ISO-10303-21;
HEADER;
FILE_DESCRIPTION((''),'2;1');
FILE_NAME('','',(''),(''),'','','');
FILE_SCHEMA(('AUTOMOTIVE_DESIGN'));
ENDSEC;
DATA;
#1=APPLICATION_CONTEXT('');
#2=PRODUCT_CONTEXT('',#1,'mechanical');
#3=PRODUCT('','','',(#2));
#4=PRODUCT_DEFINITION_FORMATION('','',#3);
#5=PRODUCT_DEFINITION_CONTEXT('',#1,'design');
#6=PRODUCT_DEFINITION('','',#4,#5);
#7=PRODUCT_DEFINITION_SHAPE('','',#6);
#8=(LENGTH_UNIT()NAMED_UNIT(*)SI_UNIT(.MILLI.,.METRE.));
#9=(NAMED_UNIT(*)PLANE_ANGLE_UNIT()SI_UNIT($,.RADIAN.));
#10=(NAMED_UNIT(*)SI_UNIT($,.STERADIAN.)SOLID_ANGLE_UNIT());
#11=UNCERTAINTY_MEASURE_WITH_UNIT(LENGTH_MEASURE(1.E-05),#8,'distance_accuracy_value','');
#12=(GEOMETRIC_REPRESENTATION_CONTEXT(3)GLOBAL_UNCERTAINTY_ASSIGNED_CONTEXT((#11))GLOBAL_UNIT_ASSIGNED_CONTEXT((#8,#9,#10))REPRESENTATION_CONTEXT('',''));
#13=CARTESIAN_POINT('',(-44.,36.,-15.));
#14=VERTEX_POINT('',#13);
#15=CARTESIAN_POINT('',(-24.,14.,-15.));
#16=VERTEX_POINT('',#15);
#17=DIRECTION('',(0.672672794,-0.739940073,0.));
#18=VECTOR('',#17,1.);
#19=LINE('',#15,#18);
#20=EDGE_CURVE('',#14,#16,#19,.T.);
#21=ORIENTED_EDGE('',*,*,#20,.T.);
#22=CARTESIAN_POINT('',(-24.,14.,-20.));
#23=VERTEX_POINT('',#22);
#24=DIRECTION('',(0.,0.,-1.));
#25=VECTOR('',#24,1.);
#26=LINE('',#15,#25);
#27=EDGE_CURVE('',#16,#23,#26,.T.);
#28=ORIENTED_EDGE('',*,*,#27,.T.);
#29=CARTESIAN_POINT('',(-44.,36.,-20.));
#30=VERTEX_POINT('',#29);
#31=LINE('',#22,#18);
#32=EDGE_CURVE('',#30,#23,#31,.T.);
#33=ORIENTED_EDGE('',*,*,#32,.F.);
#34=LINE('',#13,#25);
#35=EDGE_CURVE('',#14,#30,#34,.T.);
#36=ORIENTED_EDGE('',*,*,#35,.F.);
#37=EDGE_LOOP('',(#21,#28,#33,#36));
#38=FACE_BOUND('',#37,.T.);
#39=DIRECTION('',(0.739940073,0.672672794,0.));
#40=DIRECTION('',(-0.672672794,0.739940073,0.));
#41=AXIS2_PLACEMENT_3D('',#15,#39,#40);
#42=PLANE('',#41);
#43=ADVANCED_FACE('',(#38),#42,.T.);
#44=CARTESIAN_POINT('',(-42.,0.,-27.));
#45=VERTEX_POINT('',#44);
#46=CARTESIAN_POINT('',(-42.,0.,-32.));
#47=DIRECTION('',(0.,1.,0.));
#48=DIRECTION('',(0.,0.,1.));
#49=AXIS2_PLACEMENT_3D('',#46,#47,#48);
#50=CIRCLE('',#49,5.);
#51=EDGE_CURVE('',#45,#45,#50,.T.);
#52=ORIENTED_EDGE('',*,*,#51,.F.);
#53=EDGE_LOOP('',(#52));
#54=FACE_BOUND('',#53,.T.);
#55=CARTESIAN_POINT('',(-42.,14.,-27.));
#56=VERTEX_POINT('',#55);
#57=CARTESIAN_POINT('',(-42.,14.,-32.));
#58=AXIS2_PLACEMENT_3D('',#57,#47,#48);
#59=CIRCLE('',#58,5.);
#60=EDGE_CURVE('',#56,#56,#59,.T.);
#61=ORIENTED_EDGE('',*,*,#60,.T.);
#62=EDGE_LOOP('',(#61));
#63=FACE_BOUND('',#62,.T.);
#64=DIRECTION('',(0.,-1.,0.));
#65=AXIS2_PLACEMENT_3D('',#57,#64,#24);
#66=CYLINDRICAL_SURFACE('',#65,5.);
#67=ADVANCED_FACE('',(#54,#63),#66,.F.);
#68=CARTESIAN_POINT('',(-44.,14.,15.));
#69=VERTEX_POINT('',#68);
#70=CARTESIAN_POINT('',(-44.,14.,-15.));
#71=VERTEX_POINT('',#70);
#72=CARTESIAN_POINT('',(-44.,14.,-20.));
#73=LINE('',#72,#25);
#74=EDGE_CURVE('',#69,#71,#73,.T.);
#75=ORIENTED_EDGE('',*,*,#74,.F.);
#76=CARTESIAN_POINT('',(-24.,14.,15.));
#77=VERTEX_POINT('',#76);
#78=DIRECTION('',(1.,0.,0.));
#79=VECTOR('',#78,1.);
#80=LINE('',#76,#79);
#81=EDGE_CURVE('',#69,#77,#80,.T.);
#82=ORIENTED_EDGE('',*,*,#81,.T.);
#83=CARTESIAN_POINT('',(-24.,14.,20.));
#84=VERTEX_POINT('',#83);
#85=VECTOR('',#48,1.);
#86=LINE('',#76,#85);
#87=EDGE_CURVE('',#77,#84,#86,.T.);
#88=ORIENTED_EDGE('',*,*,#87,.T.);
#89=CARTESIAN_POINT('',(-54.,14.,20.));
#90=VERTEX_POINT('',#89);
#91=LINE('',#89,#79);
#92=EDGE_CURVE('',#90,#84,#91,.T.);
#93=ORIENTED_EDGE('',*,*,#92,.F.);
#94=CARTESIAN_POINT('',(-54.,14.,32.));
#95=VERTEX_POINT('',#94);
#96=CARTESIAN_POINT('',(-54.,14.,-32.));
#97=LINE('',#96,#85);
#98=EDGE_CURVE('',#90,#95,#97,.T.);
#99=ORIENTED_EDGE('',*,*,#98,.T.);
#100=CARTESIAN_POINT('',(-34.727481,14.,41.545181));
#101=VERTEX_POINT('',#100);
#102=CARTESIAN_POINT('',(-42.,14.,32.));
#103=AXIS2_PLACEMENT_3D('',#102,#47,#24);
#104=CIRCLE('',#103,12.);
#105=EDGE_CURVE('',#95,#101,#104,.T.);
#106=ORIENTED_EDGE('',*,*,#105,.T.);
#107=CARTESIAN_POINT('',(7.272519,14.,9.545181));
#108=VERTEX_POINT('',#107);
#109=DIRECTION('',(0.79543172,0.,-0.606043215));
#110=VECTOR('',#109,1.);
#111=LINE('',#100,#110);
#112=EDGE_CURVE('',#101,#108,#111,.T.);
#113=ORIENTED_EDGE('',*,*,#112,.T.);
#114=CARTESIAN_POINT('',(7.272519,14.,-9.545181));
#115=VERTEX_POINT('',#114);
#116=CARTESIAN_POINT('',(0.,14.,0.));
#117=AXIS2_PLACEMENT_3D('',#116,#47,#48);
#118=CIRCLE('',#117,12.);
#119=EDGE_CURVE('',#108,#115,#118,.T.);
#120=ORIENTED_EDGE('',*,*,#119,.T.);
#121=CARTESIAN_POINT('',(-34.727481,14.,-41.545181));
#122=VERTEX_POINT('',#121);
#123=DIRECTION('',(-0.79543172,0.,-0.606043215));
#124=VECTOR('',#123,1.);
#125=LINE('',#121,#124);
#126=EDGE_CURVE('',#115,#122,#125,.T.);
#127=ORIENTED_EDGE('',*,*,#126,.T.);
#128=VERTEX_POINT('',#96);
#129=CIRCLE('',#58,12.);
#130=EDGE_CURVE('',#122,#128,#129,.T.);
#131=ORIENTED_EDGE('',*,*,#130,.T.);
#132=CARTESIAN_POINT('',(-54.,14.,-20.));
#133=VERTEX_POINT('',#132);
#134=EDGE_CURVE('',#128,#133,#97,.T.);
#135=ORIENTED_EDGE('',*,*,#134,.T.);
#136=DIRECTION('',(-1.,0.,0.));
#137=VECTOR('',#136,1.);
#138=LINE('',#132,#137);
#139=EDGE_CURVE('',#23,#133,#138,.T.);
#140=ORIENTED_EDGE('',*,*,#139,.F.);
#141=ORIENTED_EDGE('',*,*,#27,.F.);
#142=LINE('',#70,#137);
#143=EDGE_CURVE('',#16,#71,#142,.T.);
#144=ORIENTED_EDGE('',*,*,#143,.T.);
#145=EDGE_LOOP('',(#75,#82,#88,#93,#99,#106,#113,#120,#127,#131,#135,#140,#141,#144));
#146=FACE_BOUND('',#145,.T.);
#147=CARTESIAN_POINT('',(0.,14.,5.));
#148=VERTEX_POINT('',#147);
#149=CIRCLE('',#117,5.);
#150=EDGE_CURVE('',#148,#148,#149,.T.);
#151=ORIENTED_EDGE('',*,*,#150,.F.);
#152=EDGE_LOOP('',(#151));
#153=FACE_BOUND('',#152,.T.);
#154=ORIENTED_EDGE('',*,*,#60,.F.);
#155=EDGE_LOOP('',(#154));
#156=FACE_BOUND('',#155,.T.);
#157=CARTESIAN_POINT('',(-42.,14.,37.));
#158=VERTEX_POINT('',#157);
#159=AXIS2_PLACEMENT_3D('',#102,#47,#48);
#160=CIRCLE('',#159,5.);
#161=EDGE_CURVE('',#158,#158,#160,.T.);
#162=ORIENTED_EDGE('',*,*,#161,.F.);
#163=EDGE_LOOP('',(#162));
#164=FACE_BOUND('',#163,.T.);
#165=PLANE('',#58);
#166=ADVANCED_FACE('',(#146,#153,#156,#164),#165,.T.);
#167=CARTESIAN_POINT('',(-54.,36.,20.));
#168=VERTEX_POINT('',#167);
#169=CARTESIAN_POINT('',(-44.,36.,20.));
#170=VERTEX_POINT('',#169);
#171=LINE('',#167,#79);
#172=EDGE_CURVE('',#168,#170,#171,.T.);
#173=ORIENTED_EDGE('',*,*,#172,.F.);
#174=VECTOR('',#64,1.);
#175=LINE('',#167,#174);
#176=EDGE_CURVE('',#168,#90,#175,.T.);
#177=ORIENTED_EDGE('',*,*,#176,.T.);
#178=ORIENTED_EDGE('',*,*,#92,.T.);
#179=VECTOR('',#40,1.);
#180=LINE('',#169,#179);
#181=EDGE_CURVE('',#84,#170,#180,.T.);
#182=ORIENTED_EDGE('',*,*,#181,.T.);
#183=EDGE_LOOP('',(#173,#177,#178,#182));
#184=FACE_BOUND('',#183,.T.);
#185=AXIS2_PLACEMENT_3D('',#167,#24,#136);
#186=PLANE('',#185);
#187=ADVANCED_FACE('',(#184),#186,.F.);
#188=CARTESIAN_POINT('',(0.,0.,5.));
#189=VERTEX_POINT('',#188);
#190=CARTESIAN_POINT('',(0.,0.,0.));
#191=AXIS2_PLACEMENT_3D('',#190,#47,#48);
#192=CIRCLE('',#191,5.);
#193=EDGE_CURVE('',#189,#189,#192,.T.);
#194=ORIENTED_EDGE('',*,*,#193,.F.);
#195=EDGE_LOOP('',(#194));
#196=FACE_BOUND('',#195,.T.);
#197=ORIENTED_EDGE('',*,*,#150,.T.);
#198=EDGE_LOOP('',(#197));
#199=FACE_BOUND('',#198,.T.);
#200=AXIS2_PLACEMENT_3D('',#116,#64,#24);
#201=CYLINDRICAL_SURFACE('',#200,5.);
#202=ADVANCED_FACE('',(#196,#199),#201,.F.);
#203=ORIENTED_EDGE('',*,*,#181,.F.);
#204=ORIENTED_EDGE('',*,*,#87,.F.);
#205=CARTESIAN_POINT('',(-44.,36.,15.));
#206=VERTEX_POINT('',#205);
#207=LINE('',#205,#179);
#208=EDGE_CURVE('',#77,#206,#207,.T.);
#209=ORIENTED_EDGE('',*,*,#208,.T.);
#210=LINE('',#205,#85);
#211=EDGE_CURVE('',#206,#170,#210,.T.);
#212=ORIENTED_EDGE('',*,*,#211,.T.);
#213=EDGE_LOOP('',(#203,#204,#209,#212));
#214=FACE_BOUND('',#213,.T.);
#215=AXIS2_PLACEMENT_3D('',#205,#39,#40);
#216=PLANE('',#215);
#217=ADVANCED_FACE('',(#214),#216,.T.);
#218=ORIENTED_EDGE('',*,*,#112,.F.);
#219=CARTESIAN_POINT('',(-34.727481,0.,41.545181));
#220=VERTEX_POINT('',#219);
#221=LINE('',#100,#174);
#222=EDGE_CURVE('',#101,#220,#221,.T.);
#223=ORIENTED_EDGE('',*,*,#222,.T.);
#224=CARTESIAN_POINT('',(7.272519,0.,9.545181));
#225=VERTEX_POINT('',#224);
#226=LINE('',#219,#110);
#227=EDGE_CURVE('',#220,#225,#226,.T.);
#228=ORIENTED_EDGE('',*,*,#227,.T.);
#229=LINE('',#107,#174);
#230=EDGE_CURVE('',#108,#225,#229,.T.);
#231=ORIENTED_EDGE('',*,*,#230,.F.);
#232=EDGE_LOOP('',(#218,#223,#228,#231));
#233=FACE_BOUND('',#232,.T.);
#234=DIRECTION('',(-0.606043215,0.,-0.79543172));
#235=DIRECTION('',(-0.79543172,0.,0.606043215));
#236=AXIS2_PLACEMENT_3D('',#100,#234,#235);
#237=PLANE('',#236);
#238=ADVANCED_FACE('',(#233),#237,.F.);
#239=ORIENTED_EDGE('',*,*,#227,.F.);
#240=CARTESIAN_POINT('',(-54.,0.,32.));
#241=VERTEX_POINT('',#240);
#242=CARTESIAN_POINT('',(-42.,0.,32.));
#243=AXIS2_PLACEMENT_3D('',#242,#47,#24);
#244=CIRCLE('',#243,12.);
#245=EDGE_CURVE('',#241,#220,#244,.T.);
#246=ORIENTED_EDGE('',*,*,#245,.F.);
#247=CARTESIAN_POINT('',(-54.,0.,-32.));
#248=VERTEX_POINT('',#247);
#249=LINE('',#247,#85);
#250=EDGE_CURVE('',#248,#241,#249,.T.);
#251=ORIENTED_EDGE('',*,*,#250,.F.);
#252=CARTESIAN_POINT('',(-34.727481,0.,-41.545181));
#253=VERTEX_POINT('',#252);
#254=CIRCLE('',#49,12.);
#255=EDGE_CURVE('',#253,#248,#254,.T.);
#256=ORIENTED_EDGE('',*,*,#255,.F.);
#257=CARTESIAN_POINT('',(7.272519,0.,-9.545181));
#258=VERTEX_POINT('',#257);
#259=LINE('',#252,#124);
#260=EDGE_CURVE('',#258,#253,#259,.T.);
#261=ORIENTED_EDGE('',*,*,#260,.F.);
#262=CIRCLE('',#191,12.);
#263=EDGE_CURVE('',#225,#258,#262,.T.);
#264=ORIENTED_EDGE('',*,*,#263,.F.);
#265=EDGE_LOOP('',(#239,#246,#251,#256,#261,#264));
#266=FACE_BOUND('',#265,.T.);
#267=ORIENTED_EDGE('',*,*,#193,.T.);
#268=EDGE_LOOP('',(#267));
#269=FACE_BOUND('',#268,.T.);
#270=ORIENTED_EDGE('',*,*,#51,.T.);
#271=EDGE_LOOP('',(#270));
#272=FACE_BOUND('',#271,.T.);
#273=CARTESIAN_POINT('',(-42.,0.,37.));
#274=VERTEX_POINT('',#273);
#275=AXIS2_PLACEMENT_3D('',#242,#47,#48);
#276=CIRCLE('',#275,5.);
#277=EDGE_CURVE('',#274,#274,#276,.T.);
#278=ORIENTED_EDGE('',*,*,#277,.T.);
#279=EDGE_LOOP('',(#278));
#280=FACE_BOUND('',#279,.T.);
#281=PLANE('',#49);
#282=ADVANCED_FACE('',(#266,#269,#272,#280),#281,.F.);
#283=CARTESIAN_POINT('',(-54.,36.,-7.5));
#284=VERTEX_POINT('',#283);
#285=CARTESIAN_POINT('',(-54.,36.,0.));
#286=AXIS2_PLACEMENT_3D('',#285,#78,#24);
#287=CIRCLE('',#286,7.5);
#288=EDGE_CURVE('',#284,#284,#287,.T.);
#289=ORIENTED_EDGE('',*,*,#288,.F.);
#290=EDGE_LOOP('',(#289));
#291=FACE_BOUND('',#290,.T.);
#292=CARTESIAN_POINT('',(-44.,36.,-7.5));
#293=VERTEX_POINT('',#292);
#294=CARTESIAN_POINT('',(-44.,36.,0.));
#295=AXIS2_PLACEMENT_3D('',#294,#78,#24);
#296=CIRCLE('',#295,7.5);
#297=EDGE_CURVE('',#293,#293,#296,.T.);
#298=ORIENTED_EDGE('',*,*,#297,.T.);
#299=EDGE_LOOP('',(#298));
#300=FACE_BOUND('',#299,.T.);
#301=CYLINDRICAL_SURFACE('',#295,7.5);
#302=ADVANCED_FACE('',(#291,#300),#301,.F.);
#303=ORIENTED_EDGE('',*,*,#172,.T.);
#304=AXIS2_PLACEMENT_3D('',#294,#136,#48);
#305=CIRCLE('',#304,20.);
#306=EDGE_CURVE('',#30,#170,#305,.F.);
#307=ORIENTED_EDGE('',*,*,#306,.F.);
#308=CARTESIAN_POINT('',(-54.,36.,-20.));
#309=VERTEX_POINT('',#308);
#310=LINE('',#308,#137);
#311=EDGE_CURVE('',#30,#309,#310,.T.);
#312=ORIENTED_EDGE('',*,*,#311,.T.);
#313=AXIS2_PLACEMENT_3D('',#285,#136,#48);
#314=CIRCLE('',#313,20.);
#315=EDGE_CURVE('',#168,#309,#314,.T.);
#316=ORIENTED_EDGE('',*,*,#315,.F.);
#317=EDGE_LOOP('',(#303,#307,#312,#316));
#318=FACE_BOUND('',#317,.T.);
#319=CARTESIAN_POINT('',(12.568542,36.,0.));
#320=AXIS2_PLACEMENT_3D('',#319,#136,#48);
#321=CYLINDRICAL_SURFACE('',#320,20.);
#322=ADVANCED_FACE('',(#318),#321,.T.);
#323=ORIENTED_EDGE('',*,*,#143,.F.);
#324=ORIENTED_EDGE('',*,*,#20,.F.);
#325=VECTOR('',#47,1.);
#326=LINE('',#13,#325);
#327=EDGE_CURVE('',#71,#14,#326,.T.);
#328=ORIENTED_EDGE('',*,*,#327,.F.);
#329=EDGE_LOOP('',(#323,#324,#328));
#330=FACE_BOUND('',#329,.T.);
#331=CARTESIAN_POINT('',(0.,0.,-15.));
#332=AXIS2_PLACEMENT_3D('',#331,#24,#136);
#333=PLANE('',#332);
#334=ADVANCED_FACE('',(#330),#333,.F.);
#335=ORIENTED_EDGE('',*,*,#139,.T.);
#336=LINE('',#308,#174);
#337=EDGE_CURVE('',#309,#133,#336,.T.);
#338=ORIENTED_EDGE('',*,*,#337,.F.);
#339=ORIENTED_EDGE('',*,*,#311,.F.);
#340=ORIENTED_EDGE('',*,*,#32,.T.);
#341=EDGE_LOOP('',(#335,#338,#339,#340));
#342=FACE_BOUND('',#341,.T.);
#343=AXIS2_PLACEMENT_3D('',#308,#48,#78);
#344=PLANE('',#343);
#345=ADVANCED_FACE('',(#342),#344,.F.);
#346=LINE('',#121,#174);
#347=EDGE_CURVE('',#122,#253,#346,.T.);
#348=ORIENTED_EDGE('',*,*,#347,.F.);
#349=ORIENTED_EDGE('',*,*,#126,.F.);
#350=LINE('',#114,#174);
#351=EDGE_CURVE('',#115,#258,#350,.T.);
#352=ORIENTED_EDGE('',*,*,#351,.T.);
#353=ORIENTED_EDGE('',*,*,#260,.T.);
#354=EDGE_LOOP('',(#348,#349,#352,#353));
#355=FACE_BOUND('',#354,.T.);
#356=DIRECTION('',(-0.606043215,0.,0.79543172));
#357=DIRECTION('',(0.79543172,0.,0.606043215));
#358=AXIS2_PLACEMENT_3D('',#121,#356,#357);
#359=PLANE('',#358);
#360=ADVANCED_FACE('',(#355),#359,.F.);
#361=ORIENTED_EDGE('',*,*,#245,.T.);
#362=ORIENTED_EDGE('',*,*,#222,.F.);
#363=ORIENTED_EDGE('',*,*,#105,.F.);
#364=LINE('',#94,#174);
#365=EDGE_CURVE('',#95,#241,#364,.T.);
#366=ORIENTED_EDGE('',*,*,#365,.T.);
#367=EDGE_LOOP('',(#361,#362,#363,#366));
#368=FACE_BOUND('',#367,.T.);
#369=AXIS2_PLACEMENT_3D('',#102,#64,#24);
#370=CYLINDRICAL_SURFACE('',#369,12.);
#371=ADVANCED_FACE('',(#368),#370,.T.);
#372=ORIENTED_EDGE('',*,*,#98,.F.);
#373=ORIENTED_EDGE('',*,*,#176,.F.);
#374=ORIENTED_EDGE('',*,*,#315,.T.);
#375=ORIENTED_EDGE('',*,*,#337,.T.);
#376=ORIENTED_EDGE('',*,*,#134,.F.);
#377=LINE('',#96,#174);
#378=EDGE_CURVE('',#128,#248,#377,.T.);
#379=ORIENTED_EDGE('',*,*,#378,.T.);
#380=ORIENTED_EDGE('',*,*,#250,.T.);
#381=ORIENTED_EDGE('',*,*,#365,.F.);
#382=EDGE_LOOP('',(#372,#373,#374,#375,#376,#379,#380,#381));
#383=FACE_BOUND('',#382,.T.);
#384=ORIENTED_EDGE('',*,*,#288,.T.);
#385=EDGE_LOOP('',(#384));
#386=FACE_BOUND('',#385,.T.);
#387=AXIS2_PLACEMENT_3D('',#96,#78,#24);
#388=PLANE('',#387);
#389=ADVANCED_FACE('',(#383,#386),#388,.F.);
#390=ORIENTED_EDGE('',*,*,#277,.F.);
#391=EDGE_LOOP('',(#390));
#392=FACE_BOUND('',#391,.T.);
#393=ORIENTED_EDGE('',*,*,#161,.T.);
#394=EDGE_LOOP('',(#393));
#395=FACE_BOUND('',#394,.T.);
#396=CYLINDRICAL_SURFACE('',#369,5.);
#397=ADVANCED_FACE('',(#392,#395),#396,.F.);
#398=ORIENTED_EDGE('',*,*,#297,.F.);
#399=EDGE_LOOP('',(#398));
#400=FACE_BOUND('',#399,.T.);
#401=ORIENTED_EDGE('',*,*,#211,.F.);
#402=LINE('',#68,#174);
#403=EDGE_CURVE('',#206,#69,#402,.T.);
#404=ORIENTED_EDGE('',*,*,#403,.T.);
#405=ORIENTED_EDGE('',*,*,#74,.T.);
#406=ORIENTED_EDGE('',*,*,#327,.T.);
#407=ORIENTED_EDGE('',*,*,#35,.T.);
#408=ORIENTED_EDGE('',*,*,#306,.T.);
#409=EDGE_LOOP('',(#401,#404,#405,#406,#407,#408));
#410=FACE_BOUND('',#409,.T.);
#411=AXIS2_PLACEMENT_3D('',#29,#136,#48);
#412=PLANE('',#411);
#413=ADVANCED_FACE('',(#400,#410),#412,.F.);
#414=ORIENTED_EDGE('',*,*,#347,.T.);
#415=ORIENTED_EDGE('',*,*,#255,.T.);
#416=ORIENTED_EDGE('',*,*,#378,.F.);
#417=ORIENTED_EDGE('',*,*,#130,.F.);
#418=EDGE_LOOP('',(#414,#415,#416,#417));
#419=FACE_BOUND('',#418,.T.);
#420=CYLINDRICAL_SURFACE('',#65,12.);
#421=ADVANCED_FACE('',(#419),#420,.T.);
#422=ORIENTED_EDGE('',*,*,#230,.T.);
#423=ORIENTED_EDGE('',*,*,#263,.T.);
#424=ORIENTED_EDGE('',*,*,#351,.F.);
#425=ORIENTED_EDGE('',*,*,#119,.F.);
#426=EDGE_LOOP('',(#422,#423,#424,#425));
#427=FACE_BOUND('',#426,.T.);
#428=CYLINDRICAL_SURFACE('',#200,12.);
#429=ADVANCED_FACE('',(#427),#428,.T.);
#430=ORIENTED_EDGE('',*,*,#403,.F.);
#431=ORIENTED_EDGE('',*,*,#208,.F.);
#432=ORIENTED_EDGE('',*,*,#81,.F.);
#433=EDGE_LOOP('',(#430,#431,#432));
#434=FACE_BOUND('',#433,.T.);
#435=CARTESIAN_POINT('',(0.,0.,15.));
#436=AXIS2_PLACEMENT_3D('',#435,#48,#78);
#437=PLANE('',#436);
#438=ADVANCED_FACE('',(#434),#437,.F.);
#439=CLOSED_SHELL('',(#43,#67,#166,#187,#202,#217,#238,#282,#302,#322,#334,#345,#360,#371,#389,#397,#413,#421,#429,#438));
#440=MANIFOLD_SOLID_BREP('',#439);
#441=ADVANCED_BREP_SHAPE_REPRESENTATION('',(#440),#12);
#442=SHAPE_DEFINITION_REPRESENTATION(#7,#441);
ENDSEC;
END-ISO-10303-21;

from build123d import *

# Parameters (mm, degrees)
SKETCH1_R           = 5
BOSS_EXTRUDE1_DEPTH = 14
SKETCH2_W           = 10
SKETCH2_H           = 40
BOSS_EXTRUDE2_DEPTH = 22
SKETCH4_R           = 20
BOSS_EXTRUDE3_DEPTH = 10
HOLE1_D             = 15
BOSS_EXTRUDE4_DEPTH = 5
BOSS_EXTRUDE5_DEPTH = 5


with BuildPart() as part:
    # Sketch1 → Boss-Extrude1 (new body)
    with BuildSketch(Plane(origin=(0, 0, 0), x_dir=(1, 0, 0), z_dir=(0, 1, 0))):
        with BuildLine():
            Line((-54, 32), (-54, -32))
            ThreePointArc((-54, -32), (-47.325869741, -42.753376749), (-34.727481417, -41.54518064))
            Line((-34.727481417, -41.54518064), (7.272518583, -9.54518064))
            ThreePointArc((7.272518583, -9.54518064), (12, 0), (7.272518583, 9.54518064))
            Line((7.272518583, 9.54518064), (-34.727481417, 41.54518064))
            ThreePointArc((-34.727481417, 41.54518064), (-47.325869741, 42.753376749), (-54, 32))
        make_face()
        with Locations(Location((-42, 32, 0), (0, 0, 270))):
            Circle(SKETCH1_R, mode=Mode.SUBTRACT)
        with Locations(Location((0, 0, 0), (0, 0, 270))):
            Circle(SKETCH1_R, mode=Mode.SUBTRACT)
        with Locations(Location((-42, -32, 0), (0, 0, 270))):
            Circle(SKETCH1_R, mode=Mode.SUBTRACT)
    extrude(amount=BOSS_EXTRUDE1_DEPTH)

    # Sketch2 → Boss-Extrude2 (add)
    with BuildSketch(Plane(origin=(0, 14, 0), x_dir=(1, 0, 0), z_dir=(0, 1, 0))):
        with Locations((-49, 0)):
            Rectangle(SKETCH2_W, SKETCH2_H)
    extrude(amount=BOSS_EXTRUDE2_DEPTH)

    # Sketch4 → Boss-Extrude3 (add)
    with BuildSketch(Plane.ZY.offset(54)):
        with Locations((0, 36)):
            Circle(SKETCH4_R)
    extrude(amount=-BOSS_EXTRUDE3_DEPTH)

    # Hole1 (through all)
    with Locations(Plane(origin=(-44, 0, 0), x_dir=(0, 0, -1), z_dir=(1, 0, 0))):
        with Locations((0, 36)):
            Hole(HOLE1_D / 2)

    # Sketch7 → Boss-Extrude4 (add)
    with BuildSketch(Plane.XY.offset(20)):
        Polygon((-44, 36), (-24, 14), (-44, 14), align=None)
    extrude(amount=-BOSS_EXTRUDE4_DEPTH)

    # Sketch8 → Boss-Extrude5 (add)
    with BuildSketch(Plane(origin=(0, 0, -20), x_dir=(-1, 0, 0), z_dir=(0, 0, -1))):
        Polygon((44, 36), (44, 14), (24, 14), align=None)
    extrude(amount=-BOSS_EXTRUDE5_DEPTH)


solid = part.part
